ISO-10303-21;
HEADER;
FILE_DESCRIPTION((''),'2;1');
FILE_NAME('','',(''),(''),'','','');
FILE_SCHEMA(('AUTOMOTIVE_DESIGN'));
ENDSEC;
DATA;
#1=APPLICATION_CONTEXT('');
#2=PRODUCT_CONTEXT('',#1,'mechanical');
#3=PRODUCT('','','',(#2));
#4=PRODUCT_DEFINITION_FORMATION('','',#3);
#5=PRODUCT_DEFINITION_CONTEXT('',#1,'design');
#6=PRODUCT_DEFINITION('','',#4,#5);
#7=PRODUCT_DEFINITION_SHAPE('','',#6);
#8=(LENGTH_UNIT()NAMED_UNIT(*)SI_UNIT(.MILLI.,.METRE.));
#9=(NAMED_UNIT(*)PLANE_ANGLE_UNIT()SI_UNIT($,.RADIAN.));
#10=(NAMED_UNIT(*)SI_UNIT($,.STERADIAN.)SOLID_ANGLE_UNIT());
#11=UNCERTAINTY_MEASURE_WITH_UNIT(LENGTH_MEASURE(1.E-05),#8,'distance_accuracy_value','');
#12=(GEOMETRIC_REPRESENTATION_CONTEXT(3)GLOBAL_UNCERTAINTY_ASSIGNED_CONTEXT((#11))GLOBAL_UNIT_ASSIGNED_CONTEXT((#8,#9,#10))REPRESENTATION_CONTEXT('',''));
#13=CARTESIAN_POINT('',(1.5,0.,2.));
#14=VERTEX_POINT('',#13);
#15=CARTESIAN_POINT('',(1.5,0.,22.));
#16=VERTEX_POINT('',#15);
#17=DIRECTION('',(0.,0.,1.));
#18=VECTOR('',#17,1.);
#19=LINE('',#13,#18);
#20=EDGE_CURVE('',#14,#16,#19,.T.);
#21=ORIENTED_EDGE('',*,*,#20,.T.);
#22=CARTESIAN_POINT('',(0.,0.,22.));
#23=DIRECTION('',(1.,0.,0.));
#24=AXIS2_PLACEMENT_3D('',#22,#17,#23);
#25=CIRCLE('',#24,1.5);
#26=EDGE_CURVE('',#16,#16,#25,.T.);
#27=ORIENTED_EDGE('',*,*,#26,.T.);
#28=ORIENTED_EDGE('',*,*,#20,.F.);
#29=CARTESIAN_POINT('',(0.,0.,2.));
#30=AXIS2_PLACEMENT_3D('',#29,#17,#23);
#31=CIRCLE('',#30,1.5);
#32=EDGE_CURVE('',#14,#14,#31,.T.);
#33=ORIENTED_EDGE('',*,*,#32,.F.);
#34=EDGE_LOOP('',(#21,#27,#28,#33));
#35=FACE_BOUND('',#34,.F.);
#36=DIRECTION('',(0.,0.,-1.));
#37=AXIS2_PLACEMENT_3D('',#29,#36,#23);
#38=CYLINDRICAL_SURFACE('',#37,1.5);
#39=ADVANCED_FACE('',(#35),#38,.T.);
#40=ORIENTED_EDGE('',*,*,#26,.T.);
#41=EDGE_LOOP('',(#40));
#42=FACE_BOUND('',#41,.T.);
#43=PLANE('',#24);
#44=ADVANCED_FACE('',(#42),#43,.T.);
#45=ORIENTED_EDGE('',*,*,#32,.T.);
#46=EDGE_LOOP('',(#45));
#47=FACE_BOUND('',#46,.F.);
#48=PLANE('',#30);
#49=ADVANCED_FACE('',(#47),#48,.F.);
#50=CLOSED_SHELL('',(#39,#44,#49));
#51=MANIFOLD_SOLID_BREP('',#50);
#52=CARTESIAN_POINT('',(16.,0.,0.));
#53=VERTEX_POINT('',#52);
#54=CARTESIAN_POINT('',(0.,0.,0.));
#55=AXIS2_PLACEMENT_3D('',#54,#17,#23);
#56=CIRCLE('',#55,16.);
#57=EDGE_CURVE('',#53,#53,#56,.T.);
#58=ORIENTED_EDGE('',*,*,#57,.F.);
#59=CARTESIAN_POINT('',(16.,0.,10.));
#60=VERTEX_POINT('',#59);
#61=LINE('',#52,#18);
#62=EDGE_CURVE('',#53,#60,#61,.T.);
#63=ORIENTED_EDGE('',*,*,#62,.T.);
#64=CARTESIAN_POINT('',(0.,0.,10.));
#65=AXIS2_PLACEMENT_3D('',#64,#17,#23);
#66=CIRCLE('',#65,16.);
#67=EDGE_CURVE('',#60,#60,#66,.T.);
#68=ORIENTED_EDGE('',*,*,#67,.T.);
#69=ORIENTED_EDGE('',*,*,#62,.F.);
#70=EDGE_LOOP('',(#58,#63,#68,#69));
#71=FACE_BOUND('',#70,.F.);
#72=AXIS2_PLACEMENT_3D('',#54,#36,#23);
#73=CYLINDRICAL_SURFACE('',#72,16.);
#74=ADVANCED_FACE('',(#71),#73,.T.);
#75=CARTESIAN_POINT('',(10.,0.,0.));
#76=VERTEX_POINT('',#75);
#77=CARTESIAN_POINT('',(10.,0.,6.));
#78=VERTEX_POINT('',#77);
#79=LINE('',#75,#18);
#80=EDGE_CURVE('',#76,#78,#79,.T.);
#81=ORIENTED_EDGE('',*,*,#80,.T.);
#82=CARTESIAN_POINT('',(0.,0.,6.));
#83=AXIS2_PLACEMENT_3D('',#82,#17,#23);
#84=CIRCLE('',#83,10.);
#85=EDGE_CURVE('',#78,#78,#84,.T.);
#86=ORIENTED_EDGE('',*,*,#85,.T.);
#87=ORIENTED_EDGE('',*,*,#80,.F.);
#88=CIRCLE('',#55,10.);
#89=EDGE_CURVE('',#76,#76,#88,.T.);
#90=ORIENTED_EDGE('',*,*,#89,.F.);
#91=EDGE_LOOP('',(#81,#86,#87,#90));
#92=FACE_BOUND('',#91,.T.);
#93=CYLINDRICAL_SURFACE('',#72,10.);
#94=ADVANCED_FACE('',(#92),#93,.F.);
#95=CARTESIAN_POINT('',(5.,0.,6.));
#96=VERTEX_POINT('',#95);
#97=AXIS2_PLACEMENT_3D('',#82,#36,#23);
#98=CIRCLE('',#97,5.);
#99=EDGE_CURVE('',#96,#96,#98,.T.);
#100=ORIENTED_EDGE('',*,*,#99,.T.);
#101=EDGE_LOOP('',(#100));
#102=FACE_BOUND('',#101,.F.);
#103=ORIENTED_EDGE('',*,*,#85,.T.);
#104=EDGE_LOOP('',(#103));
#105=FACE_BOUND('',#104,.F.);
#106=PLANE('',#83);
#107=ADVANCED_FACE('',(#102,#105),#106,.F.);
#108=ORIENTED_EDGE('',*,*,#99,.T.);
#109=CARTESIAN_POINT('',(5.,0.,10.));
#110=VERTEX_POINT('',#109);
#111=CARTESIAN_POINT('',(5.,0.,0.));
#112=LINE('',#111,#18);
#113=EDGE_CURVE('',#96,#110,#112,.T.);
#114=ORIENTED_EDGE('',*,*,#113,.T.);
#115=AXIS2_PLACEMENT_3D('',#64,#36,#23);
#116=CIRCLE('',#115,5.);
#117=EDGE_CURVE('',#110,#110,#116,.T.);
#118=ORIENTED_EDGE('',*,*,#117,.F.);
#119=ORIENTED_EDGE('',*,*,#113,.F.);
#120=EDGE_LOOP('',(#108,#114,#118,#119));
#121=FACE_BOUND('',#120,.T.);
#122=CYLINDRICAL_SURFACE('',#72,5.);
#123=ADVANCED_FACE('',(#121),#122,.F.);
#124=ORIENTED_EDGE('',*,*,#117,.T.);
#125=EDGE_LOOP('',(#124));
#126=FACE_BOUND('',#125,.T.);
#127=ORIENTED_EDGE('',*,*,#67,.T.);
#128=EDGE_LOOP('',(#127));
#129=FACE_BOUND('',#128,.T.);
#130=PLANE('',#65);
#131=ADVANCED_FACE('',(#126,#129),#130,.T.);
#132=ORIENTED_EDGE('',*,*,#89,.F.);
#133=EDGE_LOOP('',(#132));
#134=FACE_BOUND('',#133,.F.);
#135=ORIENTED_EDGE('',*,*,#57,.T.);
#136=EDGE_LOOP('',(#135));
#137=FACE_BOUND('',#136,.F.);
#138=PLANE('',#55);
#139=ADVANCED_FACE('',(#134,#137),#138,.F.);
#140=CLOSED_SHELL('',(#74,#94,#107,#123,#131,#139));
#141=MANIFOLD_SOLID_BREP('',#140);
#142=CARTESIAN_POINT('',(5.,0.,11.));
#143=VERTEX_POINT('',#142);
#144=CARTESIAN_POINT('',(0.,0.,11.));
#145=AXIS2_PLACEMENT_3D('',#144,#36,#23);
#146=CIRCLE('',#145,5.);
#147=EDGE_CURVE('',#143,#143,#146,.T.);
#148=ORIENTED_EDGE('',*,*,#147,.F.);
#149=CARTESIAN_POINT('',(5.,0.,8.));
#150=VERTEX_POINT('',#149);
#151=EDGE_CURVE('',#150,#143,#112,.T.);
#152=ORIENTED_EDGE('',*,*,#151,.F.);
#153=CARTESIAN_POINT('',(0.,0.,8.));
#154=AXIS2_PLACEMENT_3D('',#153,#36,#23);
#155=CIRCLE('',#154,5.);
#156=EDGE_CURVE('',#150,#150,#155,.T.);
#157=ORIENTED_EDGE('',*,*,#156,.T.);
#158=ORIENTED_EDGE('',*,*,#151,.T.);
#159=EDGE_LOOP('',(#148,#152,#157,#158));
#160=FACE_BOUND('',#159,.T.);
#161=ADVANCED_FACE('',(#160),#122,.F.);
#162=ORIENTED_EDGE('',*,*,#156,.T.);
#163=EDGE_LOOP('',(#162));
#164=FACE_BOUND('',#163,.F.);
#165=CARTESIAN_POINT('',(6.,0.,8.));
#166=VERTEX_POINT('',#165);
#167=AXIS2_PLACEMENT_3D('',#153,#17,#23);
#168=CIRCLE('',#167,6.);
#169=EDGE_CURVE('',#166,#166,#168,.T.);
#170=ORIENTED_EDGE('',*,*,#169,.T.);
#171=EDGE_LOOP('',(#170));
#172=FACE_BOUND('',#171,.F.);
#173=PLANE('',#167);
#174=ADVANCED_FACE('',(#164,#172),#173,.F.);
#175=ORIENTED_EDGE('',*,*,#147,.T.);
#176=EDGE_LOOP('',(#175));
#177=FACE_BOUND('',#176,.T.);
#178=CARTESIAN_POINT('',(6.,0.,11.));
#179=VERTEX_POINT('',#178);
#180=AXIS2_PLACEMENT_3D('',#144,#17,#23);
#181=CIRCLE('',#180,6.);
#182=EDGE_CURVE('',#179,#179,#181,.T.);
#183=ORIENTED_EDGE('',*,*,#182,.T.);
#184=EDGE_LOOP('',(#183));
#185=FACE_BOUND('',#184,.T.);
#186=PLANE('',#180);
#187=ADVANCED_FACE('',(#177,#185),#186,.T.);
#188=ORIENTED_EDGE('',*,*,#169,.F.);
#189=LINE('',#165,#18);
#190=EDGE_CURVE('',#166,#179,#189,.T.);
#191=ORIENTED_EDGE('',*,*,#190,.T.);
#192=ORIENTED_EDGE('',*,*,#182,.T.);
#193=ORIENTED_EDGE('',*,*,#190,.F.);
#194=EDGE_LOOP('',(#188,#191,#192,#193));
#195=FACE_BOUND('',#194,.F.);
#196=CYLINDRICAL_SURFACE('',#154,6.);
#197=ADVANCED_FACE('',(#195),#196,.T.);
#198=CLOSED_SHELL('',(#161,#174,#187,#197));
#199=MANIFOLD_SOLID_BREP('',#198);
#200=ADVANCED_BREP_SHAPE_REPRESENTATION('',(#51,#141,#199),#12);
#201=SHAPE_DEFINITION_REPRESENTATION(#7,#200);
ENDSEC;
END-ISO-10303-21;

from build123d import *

# Parameters (mm, degrees)
CYLINDER002_R     = 5
CYLINDER002_DEPTH = 12
CYLINDER001_R     = 10
CYLINDER001_DEPTH = 6
CYLINDER_R        = 16
CYLINDER_DEPTH    = 10
CYLINDER005_R     = 1.5
CYLINDER005_DEPTH = 20
CYLINDER004_R     = 5
CYLINDER004_DEPTH = 13
CYLINDER003_R     = 6
CYLINDER003_DEPTH = 3


with BuildPart() as cylinder002:
    # Cylinder002 → Cylinder002 (new body)
    with BuildSketch(Plane.XY):
        Circle(CYLINDER002_R)
    extrude(amount=CYLINDER002_DEPTH)


with BuildPart() as cylinder001:
    # Cylinder001 → Cylinder001 (new body)
    with BuildSketch(Plane.XY):
        Circle(CYLINDER001_R)
    extrude(amount=CYLINDER001_DEPTH)


with BuildPart() as cut001:
    # Cylinder → Cylinder (new body)
    with BuildSketch(Plane.XY):
        Circle(CYLINDER_R)
    extrude(amount=CYLINDER_DEPTH)

    # Cut: cut Cylinder001
    add(cylinder001.part, mode=Mode.SUBTRACT)

    # Cut001: cut Cylinder002
    add(cylinder002.part, mode=Mode.SUBTRACT)


with BuildPart() as cylinder005:
    # Cylinder005 → Cylinder005 (new body)
    with BuildSketch(Plane.XY.offset(2)):
        Circle(CYLINDER005_R)
    extrude(amount=CYLINDER005_DEPTH)


with BuildPart() as cylinder004:
    # Cylinder004 → Cylinder004 (new body)
    with BuildSketch(Plane.XY):
        Circle(CYLINDER004_R)
    extrude(amount=CYLINDER004_DEPTH)


with BuildPart() as cut002:
    # Cylinder003 → Cylinder003 (new body)
    with BuildSketch(Plane.XY.offset(8)):
        Circle(CYLINDER003_R)
    extrude(amount=CYLINDER003_DEPTH)

    # Cut002: cut Cylinder004
    add(cylinder004.part, mode=Mode.SUBTRACT)


solid = Compound([cut001.part, cylinder005.part, cut002.part])
